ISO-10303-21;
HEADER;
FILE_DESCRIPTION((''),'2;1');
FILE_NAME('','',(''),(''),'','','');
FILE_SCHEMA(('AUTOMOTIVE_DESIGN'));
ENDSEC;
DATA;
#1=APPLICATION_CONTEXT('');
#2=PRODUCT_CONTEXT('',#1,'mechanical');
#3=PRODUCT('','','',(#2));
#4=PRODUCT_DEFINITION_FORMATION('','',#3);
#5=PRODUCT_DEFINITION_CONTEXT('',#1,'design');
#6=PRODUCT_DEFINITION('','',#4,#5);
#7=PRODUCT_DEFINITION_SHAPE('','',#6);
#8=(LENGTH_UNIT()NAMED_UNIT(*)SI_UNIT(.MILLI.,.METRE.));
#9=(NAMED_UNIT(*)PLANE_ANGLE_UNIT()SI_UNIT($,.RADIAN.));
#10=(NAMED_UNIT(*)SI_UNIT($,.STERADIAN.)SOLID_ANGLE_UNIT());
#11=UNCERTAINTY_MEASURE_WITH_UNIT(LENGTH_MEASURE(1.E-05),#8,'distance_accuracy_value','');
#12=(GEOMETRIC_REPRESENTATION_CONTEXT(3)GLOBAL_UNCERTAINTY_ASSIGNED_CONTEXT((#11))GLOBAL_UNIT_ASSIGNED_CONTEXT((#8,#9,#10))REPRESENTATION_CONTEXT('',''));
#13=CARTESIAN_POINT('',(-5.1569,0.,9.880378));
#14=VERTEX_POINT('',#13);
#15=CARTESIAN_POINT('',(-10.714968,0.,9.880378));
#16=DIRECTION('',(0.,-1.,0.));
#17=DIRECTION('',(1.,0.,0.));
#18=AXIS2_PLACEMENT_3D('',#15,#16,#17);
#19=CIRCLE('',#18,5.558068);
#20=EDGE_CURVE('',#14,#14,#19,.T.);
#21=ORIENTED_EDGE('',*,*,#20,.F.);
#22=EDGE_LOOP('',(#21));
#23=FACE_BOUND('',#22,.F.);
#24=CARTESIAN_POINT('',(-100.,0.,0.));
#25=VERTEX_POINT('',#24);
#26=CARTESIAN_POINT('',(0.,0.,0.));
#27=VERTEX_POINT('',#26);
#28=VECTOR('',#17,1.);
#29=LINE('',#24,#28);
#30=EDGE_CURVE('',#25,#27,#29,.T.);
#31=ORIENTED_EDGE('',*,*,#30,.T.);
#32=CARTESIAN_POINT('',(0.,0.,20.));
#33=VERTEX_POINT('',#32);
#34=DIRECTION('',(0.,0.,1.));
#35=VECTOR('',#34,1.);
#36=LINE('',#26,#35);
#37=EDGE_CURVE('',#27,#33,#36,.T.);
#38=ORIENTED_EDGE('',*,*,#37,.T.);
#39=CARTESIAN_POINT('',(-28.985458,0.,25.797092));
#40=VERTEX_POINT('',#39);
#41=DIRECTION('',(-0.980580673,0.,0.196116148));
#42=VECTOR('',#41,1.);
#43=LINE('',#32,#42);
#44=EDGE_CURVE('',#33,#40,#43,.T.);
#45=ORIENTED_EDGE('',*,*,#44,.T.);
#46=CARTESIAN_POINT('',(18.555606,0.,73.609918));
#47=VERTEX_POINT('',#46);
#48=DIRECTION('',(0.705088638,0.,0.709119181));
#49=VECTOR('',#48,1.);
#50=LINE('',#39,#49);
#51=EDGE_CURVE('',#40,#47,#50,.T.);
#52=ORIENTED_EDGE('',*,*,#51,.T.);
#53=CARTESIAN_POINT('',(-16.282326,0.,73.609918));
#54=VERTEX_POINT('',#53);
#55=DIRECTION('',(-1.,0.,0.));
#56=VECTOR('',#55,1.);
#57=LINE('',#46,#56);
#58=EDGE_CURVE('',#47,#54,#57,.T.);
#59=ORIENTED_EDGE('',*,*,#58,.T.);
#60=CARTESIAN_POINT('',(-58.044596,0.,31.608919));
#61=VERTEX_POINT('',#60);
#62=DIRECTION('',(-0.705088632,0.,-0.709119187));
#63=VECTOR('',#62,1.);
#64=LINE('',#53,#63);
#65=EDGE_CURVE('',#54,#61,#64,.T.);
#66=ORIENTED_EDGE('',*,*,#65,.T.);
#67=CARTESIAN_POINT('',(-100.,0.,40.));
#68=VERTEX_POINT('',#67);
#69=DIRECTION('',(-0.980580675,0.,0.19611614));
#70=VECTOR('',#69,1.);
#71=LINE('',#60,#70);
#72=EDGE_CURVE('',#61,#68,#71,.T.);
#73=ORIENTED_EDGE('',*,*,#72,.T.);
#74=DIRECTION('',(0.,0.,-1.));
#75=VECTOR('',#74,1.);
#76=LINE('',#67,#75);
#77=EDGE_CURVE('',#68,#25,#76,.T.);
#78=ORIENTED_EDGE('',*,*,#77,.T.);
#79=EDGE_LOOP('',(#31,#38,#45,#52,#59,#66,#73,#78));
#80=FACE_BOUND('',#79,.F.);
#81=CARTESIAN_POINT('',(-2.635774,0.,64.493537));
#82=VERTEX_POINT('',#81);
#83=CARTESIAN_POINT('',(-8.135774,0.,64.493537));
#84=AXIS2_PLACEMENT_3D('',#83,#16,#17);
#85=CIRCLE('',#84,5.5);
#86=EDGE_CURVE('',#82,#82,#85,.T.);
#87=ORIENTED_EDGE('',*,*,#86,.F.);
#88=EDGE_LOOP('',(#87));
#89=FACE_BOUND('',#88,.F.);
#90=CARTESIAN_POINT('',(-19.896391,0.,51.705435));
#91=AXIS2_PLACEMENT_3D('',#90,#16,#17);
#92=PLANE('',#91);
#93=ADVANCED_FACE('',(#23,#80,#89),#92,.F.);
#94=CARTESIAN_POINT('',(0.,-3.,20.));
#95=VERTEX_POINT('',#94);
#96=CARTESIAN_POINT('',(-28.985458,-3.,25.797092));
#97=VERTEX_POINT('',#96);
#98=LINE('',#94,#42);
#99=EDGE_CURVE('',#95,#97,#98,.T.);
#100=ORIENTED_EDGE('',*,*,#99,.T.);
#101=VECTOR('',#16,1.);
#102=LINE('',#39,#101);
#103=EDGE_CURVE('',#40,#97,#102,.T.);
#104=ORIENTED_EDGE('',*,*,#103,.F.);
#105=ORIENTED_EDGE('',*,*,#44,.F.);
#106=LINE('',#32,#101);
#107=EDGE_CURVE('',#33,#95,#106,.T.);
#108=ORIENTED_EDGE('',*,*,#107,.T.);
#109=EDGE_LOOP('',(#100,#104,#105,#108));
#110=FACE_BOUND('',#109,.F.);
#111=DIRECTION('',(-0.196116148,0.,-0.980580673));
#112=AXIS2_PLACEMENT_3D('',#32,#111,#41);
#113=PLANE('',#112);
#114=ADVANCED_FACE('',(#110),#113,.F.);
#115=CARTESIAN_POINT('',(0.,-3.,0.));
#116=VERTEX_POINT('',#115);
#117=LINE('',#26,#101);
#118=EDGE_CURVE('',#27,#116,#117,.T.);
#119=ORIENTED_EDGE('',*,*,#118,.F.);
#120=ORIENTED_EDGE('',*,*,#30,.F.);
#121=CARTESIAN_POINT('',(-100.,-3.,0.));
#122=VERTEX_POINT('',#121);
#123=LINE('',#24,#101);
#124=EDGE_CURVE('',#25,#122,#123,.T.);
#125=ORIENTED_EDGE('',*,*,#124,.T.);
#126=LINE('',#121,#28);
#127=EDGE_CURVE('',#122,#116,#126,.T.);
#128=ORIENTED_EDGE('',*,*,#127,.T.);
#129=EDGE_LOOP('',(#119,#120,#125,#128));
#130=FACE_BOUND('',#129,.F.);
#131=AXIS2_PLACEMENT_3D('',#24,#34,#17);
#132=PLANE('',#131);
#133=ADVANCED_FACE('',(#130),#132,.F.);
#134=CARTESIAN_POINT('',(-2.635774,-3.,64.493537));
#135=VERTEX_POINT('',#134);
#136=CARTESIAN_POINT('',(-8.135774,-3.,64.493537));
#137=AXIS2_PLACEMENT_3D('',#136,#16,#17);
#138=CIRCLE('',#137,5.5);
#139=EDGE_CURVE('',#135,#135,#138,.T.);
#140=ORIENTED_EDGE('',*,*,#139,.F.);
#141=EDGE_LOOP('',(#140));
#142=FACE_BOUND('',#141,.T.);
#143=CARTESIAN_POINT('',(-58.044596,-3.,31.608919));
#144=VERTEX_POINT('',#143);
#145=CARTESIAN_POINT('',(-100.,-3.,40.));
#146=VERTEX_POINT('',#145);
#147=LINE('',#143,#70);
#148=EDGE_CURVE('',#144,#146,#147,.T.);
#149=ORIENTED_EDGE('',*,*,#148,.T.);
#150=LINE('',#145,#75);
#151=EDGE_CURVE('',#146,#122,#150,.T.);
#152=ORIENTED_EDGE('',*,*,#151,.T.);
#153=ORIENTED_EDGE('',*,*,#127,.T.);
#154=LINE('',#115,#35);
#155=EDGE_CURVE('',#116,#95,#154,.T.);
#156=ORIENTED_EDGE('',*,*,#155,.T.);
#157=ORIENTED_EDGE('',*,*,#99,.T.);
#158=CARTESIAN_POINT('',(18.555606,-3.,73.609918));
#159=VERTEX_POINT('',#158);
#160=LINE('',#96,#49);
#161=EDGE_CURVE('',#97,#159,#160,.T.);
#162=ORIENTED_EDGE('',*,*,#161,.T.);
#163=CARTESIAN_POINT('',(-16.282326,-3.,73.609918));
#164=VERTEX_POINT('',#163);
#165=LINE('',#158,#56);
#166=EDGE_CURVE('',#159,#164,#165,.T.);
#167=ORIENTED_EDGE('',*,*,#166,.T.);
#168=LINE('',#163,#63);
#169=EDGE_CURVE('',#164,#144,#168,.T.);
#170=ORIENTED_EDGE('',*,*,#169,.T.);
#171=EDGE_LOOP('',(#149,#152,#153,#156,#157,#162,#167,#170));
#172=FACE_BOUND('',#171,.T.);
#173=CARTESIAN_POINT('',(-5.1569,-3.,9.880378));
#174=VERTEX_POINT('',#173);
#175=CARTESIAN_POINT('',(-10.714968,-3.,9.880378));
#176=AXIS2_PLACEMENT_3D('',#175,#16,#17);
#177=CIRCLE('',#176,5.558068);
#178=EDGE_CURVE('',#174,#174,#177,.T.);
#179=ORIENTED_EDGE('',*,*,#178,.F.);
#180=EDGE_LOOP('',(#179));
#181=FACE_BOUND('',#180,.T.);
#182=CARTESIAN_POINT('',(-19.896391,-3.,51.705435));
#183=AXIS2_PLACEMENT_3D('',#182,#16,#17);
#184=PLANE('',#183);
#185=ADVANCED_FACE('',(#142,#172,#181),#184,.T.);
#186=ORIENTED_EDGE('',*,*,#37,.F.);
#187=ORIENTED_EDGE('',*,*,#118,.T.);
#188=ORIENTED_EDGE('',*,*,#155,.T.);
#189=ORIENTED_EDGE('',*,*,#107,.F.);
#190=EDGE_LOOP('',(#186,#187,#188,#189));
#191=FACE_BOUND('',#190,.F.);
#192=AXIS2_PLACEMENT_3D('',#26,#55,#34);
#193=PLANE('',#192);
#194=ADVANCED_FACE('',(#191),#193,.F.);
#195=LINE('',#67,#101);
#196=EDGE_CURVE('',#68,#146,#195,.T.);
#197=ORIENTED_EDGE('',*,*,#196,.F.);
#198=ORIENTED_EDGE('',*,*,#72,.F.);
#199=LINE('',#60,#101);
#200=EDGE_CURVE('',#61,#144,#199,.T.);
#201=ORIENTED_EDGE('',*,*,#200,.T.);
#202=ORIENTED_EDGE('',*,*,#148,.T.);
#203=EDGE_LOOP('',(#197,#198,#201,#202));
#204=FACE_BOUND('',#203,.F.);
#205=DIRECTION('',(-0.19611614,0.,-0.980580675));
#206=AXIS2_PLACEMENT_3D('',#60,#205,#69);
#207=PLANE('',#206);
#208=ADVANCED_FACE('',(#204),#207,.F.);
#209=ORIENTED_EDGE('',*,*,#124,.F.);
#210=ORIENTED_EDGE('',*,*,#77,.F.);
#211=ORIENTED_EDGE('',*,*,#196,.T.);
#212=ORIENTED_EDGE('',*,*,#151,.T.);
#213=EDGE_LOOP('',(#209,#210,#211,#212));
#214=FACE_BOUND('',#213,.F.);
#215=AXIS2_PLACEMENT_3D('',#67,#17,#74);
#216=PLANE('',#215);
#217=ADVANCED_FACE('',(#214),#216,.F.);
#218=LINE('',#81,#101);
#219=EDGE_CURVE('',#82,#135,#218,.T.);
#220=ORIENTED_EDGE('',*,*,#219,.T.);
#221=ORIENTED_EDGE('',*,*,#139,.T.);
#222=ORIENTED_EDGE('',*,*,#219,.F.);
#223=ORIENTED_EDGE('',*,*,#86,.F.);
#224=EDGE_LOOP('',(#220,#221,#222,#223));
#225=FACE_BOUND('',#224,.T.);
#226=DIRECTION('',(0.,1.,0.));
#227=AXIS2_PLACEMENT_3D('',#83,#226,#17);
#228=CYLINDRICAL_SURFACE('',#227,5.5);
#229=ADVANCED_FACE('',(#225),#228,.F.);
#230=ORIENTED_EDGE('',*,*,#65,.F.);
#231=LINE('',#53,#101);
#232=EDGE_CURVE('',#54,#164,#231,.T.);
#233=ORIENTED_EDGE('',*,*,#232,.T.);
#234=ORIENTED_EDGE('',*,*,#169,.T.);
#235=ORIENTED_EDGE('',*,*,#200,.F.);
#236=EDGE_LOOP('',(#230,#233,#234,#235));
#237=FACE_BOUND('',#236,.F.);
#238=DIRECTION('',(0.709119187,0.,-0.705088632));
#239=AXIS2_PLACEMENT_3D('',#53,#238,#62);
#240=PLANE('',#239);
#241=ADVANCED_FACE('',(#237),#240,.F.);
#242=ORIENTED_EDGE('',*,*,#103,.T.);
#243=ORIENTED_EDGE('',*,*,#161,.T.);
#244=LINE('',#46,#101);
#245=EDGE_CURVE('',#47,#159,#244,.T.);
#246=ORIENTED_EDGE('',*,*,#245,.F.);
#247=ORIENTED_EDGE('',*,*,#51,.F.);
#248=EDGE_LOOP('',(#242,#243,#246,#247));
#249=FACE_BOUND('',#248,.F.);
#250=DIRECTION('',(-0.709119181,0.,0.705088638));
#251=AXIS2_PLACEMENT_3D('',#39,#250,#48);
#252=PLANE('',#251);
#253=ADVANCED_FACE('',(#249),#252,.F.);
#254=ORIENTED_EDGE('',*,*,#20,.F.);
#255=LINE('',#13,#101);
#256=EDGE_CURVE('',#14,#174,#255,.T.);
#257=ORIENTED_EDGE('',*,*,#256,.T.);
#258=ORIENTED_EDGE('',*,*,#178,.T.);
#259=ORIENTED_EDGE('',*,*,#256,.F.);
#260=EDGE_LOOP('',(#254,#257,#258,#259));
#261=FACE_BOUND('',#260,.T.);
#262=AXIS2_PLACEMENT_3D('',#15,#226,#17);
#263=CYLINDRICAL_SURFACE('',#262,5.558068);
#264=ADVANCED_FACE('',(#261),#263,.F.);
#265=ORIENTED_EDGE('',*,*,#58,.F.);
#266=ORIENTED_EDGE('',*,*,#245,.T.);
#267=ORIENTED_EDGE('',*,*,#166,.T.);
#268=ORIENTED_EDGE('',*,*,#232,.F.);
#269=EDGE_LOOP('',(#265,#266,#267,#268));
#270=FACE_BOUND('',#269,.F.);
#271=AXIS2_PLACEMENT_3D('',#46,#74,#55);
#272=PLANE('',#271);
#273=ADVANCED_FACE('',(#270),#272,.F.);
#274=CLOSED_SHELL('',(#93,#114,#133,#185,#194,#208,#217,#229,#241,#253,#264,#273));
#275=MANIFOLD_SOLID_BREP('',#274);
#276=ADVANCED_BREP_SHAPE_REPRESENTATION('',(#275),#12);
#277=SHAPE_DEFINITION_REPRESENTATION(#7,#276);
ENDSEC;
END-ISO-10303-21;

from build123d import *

# Parameters (mm, degrees)
F0_R     = 5.5
F0_R_2   = 5.558068
F1_DEPTH = 3


with BuildPart() as f1:
    # F0 (on Front) → F1 (new body)
    with BuildSketch(Plane.XZ):
        Polygon((-16.282326, 73.609918), (-58.044596, 31.608919), (-28.985458, 25.797092), (18.555606, 73.609918), align=None)
        with Locations((-8.135774, 64.493537)):
            Circle(F0_R, mode=Mode.SUBTRACT)
        Polygon((-100, 40), (-100, 0), (0, 0), (0, 20), (-28.985458, 25.797092), (-58.044596, 31.608919), align=None)
        with Locations((-10.714968, 9.880378)):
            Circle(F0_R_2, mode=Mode.SUBTRACT)
    extrude(amount=F1_DEPTH)


solid = f1.part
